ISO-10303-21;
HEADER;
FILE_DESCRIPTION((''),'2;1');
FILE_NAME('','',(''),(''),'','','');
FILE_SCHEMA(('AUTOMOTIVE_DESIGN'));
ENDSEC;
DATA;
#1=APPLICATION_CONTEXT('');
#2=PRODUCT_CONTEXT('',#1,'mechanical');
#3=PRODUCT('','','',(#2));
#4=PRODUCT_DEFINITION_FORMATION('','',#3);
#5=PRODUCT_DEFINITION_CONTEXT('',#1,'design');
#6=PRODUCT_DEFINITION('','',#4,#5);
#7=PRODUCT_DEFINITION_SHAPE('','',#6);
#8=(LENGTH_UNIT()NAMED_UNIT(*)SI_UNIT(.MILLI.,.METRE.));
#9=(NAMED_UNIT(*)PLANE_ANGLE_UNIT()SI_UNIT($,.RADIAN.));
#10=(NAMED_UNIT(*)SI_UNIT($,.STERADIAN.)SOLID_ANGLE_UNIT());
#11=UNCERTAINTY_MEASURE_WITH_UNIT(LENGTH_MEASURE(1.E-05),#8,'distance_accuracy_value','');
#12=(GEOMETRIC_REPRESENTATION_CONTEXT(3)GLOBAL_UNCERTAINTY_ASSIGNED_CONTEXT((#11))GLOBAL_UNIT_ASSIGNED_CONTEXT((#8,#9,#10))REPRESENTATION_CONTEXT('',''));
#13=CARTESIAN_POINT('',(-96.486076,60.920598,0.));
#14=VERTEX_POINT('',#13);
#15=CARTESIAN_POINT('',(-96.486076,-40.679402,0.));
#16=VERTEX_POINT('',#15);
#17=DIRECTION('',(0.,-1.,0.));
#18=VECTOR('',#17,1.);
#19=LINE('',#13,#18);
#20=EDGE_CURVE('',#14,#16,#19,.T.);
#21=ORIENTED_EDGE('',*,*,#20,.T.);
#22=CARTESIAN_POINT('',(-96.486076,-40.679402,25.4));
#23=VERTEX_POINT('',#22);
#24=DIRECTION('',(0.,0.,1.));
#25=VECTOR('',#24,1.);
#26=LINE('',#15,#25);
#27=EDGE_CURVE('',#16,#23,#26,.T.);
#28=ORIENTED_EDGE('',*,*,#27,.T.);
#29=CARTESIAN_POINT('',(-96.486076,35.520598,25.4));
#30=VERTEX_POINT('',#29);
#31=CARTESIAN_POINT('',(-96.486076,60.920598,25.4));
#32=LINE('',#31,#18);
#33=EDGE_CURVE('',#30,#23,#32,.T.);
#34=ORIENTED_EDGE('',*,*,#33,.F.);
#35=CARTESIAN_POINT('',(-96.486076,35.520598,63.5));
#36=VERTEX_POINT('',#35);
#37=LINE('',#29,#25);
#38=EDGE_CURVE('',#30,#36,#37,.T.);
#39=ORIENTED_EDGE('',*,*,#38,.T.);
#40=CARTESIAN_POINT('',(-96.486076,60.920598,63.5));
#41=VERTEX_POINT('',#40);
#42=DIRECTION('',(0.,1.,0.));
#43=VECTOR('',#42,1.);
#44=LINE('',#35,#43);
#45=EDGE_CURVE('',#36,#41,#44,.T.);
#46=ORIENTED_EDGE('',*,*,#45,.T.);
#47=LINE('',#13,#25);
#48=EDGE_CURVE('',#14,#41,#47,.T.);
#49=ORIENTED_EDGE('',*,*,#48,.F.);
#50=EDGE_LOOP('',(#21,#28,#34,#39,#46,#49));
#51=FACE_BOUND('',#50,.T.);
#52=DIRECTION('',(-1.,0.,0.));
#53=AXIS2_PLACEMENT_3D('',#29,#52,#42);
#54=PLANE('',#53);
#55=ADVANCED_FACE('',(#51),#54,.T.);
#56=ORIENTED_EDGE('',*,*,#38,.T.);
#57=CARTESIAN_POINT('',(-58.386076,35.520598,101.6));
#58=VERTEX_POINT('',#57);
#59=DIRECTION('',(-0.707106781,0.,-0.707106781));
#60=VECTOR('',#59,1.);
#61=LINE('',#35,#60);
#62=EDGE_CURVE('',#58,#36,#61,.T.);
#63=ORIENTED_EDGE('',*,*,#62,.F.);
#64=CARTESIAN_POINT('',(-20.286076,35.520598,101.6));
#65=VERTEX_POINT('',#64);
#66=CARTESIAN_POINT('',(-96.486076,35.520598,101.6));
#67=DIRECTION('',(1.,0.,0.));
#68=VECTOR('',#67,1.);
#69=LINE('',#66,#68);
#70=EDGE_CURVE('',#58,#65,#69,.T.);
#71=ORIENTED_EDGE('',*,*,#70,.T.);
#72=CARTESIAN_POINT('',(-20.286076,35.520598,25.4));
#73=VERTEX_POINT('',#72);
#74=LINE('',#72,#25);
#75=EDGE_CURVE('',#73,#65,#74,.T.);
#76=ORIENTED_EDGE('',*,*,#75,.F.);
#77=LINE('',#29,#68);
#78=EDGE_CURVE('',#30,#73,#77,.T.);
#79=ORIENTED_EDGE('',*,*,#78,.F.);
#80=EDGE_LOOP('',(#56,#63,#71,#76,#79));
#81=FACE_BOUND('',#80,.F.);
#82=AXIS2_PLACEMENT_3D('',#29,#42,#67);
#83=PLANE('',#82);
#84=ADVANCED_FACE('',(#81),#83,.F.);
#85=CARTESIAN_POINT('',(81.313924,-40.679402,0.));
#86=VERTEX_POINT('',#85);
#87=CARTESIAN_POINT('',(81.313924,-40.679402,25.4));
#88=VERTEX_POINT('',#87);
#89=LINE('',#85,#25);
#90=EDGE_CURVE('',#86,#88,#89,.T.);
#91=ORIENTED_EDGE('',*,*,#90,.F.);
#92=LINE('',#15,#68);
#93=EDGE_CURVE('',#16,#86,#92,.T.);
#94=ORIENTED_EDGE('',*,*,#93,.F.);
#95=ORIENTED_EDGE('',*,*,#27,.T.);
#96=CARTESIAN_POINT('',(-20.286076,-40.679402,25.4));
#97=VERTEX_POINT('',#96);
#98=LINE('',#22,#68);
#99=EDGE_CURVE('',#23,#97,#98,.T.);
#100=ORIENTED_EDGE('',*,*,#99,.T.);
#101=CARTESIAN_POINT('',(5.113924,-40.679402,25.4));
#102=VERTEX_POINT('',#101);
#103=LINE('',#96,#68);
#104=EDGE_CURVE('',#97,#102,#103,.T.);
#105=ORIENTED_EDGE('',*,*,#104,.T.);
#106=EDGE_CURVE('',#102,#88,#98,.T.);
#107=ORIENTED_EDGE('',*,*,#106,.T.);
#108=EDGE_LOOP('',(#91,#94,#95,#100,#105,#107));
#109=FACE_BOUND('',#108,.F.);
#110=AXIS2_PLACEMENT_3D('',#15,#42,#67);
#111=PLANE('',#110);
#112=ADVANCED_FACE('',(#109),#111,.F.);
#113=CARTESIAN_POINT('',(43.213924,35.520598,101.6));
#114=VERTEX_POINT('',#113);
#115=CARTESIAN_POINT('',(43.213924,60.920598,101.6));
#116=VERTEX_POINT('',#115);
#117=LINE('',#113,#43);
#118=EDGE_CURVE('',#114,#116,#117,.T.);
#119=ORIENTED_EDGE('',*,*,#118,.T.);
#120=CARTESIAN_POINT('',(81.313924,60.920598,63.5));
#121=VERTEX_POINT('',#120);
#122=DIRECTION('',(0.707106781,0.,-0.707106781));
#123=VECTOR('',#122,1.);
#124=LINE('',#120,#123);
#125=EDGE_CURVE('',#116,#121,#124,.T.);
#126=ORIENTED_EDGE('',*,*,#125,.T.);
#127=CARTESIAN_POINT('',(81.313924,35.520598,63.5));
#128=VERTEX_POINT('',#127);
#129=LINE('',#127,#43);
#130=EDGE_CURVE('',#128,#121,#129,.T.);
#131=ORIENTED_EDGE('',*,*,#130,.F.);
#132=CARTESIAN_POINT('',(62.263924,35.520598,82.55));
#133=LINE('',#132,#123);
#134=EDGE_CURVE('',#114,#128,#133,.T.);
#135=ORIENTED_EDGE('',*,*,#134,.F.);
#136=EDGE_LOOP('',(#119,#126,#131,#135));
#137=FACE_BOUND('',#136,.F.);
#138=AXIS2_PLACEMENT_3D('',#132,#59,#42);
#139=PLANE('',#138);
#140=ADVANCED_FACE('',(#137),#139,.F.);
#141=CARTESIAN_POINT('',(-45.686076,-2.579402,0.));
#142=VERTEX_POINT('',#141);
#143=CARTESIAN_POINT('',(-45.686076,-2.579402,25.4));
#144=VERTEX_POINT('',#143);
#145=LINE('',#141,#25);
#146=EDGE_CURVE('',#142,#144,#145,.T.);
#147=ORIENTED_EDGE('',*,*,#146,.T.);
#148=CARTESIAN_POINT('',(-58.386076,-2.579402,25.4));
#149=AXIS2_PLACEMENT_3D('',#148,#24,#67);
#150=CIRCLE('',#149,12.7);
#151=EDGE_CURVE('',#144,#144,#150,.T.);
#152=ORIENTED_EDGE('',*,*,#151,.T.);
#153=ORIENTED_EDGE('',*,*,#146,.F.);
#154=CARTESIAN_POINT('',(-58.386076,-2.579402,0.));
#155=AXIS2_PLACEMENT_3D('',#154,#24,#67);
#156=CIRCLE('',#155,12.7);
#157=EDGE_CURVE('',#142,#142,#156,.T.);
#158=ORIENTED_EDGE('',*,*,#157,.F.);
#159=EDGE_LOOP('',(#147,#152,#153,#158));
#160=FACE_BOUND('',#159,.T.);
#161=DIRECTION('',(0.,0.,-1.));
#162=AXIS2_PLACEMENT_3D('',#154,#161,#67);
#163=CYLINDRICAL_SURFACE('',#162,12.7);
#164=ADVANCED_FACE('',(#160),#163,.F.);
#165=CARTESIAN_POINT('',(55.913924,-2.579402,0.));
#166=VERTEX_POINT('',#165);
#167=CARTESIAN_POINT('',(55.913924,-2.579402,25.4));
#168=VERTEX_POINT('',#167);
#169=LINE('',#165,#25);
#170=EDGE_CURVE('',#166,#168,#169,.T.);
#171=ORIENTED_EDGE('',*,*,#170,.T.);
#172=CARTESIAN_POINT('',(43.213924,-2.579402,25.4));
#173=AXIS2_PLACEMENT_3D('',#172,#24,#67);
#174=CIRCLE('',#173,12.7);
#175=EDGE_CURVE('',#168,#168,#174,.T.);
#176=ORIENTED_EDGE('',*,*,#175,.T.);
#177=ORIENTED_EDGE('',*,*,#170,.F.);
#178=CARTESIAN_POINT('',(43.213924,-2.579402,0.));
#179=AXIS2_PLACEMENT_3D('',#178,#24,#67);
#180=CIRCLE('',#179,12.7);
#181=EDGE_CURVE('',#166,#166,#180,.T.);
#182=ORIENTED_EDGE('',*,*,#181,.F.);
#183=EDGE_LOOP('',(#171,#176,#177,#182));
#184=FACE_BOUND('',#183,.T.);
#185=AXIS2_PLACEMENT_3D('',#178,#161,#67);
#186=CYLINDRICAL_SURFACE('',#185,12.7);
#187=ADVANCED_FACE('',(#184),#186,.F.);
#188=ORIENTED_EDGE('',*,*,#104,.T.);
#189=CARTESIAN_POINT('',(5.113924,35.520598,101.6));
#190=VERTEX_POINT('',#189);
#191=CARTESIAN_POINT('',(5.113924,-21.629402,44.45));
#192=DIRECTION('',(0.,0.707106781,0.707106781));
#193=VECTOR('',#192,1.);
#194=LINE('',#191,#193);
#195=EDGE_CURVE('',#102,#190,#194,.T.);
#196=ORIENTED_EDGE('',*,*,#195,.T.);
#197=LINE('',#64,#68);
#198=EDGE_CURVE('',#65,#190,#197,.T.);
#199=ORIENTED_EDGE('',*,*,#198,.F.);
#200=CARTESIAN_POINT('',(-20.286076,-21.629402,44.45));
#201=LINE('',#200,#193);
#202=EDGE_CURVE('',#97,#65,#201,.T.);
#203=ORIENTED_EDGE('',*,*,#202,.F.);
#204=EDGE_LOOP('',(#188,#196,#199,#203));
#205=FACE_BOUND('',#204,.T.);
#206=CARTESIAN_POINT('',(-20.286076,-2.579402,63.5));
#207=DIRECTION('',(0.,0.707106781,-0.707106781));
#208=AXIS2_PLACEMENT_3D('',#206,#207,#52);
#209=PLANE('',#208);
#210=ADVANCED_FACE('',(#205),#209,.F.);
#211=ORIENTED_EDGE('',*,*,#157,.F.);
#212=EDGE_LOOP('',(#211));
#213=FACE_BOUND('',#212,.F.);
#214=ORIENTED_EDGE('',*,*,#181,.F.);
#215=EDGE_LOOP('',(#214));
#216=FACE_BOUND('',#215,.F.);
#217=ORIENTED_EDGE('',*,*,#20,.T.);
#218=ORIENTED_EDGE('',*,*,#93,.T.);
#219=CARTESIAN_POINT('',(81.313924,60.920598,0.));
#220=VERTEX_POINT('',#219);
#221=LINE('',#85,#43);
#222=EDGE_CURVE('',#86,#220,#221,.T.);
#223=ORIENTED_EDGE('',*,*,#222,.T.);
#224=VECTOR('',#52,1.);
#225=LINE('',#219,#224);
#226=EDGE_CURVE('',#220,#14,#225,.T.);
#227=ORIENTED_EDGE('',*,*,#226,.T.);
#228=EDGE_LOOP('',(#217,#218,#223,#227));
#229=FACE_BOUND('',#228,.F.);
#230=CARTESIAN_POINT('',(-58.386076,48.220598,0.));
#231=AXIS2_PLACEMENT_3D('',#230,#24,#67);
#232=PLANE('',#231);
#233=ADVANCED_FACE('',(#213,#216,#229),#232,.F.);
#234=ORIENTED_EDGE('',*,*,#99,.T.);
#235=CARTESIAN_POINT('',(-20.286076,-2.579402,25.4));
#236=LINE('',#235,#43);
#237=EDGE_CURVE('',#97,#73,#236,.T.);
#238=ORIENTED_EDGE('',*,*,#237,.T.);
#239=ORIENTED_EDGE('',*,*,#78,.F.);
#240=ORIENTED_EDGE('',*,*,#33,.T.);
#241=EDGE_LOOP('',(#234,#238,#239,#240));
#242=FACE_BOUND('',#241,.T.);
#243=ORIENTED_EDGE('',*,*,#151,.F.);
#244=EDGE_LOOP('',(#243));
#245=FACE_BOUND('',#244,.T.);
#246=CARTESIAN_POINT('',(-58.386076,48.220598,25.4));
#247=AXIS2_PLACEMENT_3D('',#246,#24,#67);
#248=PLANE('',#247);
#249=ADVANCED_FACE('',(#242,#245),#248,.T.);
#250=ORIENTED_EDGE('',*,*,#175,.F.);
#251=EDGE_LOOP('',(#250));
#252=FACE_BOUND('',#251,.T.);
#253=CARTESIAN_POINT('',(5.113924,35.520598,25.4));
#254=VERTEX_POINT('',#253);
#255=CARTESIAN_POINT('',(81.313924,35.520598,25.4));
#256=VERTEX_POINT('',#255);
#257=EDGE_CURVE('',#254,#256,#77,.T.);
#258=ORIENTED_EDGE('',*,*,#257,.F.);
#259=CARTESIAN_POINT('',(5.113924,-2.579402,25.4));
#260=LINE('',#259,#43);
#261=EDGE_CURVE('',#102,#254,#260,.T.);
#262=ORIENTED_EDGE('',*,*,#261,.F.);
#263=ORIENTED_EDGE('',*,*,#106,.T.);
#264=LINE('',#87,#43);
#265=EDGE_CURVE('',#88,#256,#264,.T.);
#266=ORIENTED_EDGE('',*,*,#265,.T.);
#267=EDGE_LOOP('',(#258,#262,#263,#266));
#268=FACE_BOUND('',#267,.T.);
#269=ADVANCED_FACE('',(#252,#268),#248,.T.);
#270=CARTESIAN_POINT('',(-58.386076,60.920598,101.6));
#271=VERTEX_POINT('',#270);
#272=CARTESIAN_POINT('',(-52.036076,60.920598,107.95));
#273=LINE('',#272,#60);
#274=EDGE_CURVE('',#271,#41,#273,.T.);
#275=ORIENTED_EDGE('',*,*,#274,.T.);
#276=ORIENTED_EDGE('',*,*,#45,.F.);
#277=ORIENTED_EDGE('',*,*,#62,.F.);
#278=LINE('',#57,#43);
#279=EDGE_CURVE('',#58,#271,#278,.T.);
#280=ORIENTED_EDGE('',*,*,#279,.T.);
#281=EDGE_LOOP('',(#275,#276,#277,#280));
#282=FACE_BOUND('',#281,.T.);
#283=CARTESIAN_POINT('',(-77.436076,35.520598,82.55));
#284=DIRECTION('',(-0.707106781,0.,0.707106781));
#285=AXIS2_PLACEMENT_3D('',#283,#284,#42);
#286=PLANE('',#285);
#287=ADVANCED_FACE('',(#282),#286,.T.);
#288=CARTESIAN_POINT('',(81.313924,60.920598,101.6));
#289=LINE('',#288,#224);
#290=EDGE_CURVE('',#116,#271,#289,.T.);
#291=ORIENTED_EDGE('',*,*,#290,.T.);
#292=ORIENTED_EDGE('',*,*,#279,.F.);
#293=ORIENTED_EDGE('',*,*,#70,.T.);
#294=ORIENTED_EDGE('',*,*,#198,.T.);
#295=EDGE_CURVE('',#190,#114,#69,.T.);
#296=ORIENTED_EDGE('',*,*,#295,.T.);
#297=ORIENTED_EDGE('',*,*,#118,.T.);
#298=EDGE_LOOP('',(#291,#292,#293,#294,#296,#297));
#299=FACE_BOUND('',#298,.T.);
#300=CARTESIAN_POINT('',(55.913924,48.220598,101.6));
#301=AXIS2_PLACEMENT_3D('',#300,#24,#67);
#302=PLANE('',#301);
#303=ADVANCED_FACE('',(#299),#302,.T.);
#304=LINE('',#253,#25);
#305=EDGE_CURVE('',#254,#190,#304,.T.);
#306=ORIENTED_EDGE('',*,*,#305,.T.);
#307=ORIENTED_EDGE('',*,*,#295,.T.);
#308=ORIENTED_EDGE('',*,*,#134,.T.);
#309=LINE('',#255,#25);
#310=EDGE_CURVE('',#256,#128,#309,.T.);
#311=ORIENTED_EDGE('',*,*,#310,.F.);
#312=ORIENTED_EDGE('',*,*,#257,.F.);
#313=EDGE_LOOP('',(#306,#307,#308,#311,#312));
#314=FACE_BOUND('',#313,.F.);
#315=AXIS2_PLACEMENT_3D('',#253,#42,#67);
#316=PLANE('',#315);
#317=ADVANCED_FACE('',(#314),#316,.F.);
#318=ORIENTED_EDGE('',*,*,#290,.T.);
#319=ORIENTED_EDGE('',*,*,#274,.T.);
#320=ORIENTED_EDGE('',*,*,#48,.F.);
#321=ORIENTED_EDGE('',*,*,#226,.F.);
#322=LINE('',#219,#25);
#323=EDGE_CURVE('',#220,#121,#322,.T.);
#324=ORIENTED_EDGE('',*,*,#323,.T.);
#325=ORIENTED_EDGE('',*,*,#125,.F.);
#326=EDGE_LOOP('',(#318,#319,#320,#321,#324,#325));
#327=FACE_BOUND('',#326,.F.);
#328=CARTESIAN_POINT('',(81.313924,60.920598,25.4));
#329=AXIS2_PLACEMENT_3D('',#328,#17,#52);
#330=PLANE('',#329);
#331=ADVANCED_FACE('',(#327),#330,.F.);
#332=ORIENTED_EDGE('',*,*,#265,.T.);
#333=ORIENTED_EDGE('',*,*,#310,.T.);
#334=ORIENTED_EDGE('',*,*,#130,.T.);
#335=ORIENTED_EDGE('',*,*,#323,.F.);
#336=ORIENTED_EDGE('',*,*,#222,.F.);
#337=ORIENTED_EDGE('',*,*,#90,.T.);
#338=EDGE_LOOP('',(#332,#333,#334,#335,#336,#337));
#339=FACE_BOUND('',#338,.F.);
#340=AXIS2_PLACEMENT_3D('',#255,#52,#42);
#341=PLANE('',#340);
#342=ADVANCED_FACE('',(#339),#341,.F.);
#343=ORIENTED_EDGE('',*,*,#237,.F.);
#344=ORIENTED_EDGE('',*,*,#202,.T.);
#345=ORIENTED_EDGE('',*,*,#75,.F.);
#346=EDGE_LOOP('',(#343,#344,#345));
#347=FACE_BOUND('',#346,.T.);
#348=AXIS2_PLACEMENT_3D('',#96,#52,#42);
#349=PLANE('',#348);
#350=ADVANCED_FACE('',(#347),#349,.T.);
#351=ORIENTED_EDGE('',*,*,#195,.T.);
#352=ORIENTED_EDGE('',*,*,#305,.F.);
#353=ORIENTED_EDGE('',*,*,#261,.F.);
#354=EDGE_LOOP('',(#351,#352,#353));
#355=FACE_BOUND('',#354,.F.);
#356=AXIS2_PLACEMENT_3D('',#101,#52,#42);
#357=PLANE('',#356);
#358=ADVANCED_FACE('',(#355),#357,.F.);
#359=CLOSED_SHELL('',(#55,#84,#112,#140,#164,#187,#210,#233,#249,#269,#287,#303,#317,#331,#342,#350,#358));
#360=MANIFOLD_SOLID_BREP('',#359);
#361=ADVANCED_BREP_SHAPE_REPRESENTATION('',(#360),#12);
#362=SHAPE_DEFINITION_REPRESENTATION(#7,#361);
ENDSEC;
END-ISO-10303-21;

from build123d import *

# Parameters (mm, degrees)
F0_W     = 76.2
F0_H     = 25.4
F0_H_2   = 76.2
F0_R     = 12.7
F1_DEPTH = 25.4
F2_W     = 50.8
F2_H     = 25.4
F2_W_2   = 25.4
F2_H_2   = 76.2
F3_DEPTH = 76.2
F4_SIZE  = 76.2
F5_SIZE  = 38.1


with BuildPart() as f1:
    # F0 (on Top) → F1 (new body)
    with BuildSketch(Plane.XY):
        with Locations((-58.3860762448, 48.220597668)):
            Rectangle(F0_W, F0_H)
        Polygon((5.1139237552, 60.920597668), (-20.2860762448, 60.920597668), (-20.2860762448, 35.520597668), (-20.2860762448, -40.679402332), (5.1139237552, -40.679402332), (5.1139237552, 35.520597668), align=None)
        with Locations((-58.3860762448, -2.579402332)):
            Rectangle(F0_W, F0_H_2)
        with Locations((-58.3860762448, -2.579402332)):
            Circle(F0_R, mode=Mode.SUBTRACT)
        with Locations((43.2139237552, 48.220597668)):
            Rectangle(F0_W, F0_H)
        with Locations((43.2139237552, -2.579402332)):
            Rectangle(F0_W, F0_H_2)
        with Locations((43.2139237552, -2.579402332)):
            Circle(F0_R, mode=Mode.SUBTRACT)
    extrude(amount=F1_DEPTH)

    # F2 (on face) → F3 (join)
    with BuildSketch(Plane.XY.offset(25.4)):
        with Locations((55.9139237552, 48.220597668)):
            Rectangle(F2_W, F2_H)
        with Locations((-32.9860762448, 48.220597668)):
            Rectangle(F2_W_2, F2_H)
        with Locations((-7.5860762448, 48.220597668)):
            Rectangle(F2_W_2, F2_H)
        with Locations((17.8139237552, 48.220597668)):
            Rectangle(F2_W_2, F2_H)
        with Locations((-71.0860762448, 48.220597668)):
            Rectangle(F2_W, F2_H)
        with Locations((-7.5860762448, -2.579402332)):
            Rectangle(F2_W_2, F2_H_2)
    extrude(amount=F3_DEPTH)

    # F4
    f4_edges = [f1.edges().sort_by_distance(p)[0] for p in [
        (-7.586076, -40.679402, 101.6),
    ]]
    chamfer(f4_edges, length=F4_SIZE)

    # F5
    f5_edges = [f1.edges().sort_by_distance(p)[0] for p in [
        (81.313924, 48.220598, 101.6),
        (-96.486076, 48.220598, 101.6),
    ]]
    chamfer(f5_edges, length=F5_SIZE)


solid = f1.part
